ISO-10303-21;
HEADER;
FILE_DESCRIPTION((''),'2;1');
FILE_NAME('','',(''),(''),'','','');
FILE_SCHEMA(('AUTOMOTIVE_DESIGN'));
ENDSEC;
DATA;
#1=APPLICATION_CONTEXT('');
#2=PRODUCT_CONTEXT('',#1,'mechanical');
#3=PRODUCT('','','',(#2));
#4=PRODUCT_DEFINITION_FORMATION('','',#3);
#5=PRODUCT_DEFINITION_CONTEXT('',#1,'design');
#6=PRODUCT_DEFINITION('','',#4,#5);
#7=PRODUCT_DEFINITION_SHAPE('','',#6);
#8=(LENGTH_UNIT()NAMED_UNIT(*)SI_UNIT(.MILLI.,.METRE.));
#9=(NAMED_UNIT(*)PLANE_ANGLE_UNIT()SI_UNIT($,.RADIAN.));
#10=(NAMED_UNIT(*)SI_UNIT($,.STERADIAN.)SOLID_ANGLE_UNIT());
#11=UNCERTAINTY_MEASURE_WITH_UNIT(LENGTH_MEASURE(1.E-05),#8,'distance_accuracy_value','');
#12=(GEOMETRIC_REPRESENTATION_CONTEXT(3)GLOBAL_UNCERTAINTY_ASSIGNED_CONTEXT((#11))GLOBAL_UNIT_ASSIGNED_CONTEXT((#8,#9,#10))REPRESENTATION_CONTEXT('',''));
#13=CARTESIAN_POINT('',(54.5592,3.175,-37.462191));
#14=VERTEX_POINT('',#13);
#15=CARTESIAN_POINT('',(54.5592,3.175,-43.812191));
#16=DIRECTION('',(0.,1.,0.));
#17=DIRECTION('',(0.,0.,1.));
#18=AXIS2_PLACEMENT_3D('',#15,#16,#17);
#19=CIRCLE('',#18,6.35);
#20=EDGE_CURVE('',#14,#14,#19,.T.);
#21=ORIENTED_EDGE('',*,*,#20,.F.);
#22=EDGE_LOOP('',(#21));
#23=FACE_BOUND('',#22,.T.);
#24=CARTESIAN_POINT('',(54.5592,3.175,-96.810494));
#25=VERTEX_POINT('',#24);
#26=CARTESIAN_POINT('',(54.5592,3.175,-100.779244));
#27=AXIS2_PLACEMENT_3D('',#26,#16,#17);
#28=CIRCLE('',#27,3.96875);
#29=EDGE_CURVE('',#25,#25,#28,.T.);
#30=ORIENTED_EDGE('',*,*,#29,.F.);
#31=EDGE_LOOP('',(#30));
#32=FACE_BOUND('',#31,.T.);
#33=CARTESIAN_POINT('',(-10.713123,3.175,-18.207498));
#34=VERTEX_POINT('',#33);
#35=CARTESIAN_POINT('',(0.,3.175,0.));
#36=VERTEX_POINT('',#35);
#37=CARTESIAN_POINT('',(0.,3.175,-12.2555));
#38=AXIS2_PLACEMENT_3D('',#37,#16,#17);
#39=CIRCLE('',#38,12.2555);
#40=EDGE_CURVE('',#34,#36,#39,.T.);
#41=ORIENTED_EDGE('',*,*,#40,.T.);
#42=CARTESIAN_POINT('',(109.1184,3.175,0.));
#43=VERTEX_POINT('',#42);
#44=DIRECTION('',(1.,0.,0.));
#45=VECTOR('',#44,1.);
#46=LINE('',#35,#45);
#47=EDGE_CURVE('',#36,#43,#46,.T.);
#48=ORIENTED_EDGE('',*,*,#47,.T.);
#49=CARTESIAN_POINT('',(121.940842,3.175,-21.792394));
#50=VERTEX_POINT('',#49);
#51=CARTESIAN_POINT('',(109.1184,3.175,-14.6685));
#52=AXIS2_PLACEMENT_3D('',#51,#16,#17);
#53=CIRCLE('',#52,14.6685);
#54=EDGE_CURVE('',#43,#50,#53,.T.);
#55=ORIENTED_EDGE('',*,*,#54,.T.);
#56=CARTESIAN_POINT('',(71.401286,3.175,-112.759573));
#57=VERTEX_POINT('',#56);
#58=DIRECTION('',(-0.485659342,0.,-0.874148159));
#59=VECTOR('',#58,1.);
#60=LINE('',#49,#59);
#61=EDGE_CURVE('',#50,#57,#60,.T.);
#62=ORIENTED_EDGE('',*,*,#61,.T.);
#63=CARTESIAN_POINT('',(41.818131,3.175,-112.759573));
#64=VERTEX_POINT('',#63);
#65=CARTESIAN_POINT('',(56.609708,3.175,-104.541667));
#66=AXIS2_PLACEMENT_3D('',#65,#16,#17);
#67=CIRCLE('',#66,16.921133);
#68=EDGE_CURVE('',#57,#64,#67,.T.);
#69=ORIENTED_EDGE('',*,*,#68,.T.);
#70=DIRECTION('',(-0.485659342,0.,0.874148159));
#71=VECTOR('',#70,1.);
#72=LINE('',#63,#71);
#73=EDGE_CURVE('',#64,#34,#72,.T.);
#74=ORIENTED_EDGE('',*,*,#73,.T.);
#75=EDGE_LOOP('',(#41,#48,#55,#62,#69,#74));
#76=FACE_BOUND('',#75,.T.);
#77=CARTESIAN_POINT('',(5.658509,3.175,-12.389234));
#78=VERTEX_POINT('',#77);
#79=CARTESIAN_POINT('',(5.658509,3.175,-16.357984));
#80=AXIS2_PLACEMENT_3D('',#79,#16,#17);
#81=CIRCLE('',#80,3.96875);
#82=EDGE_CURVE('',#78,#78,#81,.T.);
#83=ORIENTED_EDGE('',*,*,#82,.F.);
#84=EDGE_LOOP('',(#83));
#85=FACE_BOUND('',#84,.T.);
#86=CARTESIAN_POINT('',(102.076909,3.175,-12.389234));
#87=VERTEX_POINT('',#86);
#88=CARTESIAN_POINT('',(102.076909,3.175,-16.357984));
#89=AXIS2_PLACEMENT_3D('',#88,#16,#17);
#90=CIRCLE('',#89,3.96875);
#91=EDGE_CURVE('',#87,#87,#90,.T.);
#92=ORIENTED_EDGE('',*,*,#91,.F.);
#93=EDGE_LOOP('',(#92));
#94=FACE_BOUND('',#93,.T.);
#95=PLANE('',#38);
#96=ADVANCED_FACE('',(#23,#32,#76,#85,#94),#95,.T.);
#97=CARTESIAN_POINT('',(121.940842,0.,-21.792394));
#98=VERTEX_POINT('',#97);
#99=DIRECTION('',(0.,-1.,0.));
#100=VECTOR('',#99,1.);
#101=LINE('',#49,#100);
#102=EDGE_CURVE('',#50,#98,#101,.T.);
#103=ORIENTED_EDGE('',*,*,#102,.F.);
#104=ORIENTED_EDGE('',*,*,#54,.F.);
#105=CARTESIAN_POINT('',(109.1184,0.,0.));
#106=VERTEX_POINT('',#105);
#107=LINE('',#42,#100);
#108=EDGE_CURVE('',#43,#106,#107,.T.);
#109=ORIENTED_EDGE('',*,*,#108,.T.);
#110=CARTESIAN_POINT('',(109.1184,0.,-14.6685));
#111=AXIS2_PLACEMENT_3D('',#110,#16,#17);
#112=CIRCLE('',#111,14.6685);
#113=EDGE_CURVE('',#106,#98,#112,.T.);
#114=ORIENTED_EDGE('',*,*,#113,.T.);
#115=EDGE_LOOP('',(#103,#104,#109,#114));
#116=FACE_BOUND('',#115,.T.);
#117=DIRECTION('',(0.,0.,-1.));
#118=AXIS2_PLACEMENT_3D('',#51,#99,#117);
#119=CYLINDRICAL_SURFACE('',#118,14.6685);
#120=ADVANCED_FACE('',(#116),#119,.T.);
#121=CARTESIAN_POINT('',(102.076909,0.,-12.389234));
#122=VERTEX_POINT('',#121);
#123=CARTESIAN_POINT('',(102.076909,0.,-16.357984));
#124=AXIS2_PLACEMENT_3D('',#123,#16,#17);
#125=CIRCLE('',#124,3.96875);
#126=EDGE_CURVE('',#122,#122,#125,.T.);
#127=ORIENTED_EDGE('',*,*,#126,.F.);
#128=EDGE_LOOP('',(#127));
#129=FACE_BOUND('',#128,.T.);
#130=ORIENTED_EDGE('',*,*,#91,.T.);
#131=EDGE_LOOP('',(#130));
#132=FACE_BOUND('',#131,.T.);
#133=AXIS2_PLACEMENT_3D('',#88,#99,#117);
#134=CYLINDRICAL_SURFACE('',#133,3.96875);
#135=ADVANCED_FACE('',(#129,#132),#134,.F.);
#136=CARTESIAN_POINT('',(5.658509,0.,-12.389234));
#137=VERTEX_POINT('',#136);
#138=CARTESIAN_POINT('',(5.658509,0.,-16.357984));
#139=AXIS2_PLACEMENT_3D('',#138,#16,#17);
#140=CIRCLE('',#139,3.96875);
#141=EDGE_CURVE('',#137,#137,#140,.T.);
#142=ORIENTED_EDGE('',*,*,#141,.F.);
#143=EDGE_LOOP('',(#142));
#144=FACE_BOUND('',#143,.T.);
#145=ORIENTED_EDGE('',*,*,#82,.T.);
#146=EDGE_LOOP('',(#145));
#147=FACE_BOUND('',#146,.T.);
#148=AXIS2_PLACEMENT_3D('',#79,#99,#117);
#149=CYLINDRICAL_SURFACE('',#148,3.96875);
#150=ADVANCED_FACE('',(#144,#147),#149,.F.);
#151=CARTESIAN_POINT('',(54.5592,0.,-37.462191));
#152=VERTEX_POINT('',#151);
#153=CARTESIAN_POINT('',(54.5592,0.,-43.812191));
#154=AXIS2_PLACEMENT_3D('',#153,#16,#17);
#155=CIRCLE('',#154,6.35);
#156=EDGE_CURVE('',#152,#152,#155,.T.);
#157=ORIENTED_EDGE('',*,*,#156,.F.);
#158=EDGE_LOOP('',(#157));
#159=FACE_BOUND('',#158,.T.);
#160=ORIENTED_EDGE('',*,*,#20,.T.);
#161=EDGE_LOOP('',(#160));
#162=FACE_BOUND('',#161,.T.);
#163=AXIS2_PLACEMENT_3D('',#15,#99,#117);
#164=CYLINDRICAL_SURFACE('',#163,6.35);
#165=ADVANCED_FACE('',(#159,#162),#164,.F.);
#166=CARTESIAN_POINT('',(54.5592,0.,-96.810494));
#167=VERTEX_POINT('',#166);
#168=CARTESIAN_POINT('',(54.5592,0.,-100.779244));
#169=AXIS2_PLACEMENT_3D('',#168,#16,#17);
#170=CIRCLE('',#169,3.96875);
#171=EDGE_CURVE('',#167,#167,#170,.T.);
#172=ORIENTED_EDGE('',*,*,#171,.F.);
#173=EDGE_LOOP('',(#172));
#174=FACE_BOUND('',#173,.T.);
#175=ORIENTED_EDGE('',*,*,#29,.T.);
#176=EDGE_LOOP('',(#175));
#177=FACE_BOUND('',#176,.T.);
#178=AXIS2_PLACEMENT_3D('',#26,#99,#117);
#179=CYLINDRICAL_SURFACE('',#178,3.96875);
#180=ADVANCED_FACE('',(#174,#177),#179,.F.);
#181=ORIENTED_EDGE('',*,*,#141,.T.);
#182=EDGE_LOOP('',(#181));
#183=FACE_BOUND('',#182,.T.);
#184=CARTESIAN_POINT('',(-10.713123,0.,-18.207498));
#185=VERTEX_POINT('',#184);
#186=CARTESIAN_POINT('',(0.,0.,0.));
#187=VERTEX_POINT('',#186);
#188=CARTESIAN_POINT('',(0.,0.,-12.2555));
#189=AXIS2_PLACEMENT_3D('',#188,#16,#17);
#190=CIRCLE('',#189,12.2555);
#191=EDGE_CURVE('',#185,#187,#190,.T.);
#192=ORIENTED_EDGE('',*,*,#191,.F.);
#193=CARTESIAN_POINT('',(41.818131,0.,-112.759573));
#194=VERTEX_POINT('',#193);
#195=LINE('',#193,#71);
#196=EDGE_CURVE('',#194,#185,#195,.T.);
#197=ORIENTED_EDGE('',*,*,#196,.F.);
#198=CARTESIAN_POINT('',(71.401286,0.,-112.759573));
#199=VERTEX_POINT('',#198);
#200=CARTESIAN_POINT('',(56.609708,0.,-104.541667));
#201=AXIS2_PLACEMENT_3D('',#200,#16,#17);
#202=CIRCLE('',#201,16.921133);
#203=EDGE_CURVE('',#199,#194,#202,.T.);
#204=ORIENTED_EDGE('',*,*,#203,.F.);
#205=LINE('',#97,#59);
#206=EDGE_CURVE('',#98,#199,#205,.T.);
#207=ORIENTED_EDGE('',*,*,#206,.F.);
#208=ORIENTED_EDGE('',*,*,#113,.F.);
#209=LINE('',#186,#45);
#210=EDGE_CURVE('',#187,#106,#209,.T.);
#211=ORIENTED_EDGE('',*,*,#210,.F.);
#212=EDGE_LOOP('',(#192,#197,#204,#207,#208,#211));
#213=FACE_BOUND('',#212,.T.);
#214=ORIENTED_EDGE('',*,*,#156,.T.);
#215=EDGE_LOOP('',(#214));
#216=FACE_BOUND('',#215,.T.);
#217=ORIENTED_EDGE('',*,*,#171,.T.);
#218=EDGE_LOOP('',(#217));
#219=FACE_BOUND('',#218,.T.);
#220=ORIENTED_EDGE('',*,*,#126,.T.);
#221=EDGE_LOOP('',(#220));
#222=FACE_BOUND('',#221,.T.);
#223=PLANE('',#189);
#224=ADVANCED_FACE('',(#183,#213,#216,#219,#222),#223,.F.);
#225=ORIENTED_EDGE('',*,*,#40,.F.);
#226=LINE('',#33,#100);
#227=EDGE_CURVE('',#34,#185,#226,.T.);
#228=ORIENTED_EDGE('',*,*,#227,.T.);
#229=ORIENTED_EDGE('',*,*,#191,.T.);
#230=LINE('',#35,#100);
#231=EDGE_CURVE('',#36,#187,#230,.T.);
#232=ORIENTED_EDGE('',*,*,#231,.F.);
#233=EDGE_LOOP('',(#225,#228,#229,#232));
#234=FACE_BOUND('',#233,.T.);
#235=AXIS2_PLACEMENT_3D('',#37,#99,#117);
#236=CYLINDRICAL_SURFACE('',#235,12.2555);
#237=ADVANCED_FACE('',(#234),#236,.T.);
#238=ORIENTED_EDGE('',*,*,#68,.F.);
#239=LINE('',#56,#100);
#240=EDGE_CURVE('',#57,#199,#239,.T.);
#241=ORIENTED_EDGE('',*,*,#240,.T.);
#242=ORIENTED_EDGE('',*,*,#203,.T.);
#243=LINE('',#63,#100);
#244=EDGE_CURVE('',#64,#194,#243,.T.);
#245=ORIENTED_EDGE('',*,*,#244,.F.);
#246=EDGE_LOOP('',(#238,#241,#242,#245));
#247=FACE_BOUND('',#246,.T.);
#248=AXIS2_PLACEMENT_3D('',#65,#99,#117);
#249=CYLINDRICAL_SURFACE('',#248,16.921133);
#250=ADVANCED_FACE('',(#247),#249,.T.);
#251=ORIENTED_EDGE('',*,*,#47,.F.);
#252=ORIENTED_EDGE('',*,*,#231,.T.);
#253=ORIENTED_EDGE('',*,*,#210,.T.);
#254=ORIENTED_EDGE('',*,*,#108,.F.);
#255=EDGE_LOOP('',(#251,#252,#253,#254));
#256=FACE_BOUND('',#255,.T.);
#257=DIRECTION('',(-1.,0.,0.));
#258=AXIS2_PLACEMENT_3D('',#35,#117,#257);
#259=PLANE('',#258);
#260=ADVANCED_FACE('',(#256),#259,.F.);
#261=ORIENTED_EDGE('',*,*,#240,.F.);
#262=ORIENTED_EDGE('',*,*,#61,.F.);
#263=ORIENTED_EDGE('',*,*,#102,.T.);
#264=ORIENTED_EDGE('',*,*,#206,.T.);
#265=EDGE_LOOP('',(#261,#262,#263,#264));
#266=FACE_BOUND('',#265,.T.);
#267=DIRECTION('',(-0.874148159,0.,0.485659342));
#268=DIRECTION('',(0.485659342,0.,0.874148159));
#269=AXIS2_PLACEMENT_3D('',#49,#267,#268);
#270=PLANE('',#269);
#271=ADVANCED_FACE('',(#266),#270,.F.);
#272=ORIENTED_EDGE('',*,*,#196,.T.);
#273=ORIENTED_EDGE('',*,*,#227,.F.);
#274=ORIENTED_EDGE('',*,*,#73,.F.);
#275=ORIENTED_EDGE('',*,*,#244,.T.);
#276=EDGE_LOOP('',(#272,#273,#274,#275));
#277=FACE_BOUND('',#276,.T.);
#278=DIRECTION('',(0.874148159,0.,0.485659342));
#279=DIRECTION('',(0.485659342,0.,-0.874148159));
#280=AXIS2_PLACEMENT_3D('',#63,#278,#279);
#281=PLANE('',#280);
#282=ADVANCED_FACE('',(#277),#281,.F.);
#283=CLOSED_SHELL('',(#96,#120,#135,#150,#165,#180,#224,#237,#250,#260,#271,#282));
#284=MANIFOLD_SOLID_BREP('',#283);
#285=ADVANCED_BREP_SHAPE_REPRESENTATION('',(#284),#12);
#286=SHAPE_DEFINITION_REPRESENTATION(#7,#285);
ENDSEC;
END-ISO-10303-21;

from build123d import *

# Parameters (mm, degrees)
SKETCH1_R           = 3.96875
SKETCH1_R_2         = 6.35
BOSS_EXTRUDE1_DEPTH = 3.175


with BuildPart() as part:
    # Sketch1 → Boss-Extrude1 (new body)
    with BuildSketch(Plane(origin=(0, 0, 0), x_dir=(1, 0, 0), z_dir=(0, 1, 0))):
        with BuildLine():
            Line((0, 0), (109.1184, 0))
            ThreePointArc((109.1184, 0), (121.760823269, 7.229815564), (121.940842268, 21.792394057))
            Line((121.940842268, 21.792394057), (71.401285641, 112.759573229))
            ThreePointArc((71.401285641, 112.759573229), (56.609708232, 121.4628), (41.818130824, 112.759573229))
            Line((41.818130824, 112.759573229), (-10.713122761, 18.207498065))
            ThreePointArc((-10.713122761, 18.207498065), (-10.562717277, 6.040495255), (0, 0))
        make_face()
        with Locations((5.658509088, 16.357983524)):
            Circle(SKETCH1_R, mode=Mode.SUBTRACT)
        with Locations((102.076909088, 16.357983524)):
            Circle(SKETCH1_R, mode=Mode.SUBTRACT)
        with Locations((54.5592, 100.77924387)):
            Circle(SKETCH1_R, mode=Mode.SUBTRACT)
        with Locations((54.5592, 43.812190688)):
            Circle(SKETCH1_R_2, mode=Mode.SUBTRACT)
    extrude(amount=BOSS_EXTRUDE1_DEPTH)


solid = part.part
